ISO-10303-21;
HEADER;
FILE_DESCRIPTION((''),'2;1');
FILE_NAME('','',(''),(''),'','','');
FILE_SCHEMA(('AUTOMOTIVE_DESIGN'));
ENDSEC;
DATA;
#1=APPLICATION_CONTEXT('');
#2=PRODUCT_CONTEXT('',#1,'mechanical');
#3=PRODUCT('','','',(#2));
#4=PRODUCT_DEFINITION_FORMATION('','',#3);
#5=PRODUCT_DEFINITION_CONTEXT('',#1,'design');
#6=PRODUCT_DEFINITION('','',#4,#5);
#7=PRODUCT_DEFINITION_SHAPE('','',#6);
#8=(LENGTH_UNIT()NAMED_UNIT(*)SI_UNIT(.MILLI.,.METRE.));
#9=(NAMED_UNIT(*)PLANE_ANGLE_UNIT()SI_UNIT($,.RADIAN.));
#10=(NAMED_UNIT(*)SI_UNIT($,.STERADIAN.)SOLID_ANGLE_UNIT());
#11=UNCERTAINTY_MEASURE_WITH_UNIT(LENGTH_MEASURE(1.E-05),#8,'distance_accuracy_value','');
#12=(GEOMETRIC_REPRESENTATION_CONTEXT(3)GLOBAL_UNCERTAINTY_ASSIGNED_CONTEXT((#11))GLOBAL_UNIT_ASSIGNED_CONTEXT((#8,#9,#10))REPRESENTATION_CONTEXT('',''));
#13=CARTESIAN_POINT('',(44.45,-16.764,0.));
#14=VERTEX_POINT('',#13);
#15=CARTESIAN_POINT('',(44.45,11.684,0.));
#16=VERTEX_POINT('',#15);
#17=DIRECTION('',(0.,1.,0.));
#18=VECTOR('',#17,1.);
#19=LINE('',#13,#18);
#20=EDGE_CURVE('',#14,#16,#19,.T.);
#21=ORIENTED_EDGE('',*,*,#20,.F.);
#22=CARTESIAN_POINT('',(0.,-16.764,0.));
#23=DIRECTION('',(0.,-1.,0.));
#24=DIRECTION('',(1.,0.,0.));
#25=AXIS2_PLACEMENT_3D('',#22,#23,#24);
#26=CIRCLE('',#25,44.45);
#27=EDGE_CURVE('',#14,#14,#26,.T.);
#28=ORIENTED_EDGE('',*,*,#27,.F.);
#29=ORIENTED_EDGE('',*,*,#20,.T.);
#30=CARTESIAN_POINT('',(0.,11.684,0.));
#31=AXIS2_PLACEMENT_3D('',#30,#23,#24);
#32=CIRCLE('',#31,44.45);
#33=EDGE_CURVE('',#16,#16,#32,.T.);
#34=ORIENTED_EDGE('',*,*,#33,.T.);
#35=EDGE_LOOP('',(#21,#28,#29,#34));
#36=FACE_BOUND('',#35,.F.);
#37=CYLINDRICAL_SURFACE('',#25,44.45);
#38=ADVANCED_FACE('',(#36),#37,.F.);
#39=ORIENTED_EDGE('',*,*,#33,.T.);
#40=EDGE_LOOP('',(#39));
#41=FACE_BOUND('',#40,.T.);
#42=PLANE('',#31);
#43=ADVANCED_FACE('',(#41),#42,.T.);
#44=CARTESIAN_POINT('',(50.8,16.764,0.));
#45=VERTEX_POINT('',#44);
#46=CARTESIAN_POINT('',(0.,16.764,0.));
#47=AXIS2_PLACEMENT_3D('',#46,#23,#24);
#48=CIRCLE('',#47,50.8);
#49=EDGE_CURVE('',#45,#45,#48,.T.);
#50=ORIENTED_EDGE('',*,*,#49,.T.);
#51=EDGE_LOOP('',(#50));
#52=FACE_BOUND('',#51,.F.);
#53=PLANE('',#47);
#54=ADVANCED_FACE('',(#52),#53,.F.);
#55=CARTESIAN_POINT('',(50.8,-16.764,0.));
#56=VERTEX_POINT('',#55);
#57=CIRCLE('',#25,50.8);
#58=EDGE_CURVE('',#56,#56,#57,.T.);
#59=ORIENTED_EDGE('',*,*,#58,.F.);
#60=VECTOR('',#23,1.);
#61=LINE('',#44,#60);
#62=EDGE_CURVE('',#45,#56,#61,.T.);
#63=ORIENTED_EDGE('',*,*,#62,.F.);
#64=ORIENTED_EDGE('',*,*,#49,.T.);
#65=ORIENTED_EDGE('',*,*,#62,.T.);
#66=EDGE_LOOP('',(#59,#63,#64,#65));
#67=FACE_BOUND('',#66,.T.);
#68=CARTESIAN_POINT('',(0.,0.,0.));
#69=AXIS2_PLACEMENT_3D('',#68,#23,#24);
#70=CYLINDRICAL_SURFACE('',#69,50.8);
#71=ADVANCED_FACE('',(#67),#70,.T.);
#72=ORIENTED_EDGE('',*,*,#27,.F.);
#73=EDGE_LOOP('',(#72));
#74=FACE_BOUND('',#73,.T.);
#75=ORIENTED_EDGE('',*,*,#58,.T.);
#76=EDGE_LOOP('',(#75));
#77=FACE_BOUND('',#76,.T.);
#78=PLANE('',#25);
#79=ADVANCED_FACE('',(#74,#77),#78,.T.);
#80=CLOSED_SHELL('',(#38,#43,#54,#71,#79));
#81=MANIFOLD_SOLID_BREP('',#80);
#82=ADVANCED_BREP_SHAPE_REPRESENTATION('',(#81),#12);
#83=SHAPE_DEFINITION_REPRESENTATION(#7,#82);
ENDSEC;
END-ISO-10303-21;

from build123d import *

# Parameters (mm, degrees)
F0_R          = 50.8
F1_DEPTH      = 16.764
F1_DEPTH_BACK = 16.764
F2_R          = 44.45
F3_DEPTH      = 28.448


with BuildPart() as f1:
    # F0 (on Front) → F1 (new body, two sides)
    with BuildSketch(Plane.XZ) as f1_sk:
        Circle(F0_R)
    extrude(amount=F1_DEPTH)
    extrude(f1_sk.sketch, amount=-F1_DEPTH_BACK)

    # F2 (on face) → F3 (cut)
    with BuildSketch(Plane.XZ.offset(16.764)):
        Circle(F2_R)
    extrude(amount=-F3_DEPTH, mode=Mode.SUBTRACT)


solid = f1.part
